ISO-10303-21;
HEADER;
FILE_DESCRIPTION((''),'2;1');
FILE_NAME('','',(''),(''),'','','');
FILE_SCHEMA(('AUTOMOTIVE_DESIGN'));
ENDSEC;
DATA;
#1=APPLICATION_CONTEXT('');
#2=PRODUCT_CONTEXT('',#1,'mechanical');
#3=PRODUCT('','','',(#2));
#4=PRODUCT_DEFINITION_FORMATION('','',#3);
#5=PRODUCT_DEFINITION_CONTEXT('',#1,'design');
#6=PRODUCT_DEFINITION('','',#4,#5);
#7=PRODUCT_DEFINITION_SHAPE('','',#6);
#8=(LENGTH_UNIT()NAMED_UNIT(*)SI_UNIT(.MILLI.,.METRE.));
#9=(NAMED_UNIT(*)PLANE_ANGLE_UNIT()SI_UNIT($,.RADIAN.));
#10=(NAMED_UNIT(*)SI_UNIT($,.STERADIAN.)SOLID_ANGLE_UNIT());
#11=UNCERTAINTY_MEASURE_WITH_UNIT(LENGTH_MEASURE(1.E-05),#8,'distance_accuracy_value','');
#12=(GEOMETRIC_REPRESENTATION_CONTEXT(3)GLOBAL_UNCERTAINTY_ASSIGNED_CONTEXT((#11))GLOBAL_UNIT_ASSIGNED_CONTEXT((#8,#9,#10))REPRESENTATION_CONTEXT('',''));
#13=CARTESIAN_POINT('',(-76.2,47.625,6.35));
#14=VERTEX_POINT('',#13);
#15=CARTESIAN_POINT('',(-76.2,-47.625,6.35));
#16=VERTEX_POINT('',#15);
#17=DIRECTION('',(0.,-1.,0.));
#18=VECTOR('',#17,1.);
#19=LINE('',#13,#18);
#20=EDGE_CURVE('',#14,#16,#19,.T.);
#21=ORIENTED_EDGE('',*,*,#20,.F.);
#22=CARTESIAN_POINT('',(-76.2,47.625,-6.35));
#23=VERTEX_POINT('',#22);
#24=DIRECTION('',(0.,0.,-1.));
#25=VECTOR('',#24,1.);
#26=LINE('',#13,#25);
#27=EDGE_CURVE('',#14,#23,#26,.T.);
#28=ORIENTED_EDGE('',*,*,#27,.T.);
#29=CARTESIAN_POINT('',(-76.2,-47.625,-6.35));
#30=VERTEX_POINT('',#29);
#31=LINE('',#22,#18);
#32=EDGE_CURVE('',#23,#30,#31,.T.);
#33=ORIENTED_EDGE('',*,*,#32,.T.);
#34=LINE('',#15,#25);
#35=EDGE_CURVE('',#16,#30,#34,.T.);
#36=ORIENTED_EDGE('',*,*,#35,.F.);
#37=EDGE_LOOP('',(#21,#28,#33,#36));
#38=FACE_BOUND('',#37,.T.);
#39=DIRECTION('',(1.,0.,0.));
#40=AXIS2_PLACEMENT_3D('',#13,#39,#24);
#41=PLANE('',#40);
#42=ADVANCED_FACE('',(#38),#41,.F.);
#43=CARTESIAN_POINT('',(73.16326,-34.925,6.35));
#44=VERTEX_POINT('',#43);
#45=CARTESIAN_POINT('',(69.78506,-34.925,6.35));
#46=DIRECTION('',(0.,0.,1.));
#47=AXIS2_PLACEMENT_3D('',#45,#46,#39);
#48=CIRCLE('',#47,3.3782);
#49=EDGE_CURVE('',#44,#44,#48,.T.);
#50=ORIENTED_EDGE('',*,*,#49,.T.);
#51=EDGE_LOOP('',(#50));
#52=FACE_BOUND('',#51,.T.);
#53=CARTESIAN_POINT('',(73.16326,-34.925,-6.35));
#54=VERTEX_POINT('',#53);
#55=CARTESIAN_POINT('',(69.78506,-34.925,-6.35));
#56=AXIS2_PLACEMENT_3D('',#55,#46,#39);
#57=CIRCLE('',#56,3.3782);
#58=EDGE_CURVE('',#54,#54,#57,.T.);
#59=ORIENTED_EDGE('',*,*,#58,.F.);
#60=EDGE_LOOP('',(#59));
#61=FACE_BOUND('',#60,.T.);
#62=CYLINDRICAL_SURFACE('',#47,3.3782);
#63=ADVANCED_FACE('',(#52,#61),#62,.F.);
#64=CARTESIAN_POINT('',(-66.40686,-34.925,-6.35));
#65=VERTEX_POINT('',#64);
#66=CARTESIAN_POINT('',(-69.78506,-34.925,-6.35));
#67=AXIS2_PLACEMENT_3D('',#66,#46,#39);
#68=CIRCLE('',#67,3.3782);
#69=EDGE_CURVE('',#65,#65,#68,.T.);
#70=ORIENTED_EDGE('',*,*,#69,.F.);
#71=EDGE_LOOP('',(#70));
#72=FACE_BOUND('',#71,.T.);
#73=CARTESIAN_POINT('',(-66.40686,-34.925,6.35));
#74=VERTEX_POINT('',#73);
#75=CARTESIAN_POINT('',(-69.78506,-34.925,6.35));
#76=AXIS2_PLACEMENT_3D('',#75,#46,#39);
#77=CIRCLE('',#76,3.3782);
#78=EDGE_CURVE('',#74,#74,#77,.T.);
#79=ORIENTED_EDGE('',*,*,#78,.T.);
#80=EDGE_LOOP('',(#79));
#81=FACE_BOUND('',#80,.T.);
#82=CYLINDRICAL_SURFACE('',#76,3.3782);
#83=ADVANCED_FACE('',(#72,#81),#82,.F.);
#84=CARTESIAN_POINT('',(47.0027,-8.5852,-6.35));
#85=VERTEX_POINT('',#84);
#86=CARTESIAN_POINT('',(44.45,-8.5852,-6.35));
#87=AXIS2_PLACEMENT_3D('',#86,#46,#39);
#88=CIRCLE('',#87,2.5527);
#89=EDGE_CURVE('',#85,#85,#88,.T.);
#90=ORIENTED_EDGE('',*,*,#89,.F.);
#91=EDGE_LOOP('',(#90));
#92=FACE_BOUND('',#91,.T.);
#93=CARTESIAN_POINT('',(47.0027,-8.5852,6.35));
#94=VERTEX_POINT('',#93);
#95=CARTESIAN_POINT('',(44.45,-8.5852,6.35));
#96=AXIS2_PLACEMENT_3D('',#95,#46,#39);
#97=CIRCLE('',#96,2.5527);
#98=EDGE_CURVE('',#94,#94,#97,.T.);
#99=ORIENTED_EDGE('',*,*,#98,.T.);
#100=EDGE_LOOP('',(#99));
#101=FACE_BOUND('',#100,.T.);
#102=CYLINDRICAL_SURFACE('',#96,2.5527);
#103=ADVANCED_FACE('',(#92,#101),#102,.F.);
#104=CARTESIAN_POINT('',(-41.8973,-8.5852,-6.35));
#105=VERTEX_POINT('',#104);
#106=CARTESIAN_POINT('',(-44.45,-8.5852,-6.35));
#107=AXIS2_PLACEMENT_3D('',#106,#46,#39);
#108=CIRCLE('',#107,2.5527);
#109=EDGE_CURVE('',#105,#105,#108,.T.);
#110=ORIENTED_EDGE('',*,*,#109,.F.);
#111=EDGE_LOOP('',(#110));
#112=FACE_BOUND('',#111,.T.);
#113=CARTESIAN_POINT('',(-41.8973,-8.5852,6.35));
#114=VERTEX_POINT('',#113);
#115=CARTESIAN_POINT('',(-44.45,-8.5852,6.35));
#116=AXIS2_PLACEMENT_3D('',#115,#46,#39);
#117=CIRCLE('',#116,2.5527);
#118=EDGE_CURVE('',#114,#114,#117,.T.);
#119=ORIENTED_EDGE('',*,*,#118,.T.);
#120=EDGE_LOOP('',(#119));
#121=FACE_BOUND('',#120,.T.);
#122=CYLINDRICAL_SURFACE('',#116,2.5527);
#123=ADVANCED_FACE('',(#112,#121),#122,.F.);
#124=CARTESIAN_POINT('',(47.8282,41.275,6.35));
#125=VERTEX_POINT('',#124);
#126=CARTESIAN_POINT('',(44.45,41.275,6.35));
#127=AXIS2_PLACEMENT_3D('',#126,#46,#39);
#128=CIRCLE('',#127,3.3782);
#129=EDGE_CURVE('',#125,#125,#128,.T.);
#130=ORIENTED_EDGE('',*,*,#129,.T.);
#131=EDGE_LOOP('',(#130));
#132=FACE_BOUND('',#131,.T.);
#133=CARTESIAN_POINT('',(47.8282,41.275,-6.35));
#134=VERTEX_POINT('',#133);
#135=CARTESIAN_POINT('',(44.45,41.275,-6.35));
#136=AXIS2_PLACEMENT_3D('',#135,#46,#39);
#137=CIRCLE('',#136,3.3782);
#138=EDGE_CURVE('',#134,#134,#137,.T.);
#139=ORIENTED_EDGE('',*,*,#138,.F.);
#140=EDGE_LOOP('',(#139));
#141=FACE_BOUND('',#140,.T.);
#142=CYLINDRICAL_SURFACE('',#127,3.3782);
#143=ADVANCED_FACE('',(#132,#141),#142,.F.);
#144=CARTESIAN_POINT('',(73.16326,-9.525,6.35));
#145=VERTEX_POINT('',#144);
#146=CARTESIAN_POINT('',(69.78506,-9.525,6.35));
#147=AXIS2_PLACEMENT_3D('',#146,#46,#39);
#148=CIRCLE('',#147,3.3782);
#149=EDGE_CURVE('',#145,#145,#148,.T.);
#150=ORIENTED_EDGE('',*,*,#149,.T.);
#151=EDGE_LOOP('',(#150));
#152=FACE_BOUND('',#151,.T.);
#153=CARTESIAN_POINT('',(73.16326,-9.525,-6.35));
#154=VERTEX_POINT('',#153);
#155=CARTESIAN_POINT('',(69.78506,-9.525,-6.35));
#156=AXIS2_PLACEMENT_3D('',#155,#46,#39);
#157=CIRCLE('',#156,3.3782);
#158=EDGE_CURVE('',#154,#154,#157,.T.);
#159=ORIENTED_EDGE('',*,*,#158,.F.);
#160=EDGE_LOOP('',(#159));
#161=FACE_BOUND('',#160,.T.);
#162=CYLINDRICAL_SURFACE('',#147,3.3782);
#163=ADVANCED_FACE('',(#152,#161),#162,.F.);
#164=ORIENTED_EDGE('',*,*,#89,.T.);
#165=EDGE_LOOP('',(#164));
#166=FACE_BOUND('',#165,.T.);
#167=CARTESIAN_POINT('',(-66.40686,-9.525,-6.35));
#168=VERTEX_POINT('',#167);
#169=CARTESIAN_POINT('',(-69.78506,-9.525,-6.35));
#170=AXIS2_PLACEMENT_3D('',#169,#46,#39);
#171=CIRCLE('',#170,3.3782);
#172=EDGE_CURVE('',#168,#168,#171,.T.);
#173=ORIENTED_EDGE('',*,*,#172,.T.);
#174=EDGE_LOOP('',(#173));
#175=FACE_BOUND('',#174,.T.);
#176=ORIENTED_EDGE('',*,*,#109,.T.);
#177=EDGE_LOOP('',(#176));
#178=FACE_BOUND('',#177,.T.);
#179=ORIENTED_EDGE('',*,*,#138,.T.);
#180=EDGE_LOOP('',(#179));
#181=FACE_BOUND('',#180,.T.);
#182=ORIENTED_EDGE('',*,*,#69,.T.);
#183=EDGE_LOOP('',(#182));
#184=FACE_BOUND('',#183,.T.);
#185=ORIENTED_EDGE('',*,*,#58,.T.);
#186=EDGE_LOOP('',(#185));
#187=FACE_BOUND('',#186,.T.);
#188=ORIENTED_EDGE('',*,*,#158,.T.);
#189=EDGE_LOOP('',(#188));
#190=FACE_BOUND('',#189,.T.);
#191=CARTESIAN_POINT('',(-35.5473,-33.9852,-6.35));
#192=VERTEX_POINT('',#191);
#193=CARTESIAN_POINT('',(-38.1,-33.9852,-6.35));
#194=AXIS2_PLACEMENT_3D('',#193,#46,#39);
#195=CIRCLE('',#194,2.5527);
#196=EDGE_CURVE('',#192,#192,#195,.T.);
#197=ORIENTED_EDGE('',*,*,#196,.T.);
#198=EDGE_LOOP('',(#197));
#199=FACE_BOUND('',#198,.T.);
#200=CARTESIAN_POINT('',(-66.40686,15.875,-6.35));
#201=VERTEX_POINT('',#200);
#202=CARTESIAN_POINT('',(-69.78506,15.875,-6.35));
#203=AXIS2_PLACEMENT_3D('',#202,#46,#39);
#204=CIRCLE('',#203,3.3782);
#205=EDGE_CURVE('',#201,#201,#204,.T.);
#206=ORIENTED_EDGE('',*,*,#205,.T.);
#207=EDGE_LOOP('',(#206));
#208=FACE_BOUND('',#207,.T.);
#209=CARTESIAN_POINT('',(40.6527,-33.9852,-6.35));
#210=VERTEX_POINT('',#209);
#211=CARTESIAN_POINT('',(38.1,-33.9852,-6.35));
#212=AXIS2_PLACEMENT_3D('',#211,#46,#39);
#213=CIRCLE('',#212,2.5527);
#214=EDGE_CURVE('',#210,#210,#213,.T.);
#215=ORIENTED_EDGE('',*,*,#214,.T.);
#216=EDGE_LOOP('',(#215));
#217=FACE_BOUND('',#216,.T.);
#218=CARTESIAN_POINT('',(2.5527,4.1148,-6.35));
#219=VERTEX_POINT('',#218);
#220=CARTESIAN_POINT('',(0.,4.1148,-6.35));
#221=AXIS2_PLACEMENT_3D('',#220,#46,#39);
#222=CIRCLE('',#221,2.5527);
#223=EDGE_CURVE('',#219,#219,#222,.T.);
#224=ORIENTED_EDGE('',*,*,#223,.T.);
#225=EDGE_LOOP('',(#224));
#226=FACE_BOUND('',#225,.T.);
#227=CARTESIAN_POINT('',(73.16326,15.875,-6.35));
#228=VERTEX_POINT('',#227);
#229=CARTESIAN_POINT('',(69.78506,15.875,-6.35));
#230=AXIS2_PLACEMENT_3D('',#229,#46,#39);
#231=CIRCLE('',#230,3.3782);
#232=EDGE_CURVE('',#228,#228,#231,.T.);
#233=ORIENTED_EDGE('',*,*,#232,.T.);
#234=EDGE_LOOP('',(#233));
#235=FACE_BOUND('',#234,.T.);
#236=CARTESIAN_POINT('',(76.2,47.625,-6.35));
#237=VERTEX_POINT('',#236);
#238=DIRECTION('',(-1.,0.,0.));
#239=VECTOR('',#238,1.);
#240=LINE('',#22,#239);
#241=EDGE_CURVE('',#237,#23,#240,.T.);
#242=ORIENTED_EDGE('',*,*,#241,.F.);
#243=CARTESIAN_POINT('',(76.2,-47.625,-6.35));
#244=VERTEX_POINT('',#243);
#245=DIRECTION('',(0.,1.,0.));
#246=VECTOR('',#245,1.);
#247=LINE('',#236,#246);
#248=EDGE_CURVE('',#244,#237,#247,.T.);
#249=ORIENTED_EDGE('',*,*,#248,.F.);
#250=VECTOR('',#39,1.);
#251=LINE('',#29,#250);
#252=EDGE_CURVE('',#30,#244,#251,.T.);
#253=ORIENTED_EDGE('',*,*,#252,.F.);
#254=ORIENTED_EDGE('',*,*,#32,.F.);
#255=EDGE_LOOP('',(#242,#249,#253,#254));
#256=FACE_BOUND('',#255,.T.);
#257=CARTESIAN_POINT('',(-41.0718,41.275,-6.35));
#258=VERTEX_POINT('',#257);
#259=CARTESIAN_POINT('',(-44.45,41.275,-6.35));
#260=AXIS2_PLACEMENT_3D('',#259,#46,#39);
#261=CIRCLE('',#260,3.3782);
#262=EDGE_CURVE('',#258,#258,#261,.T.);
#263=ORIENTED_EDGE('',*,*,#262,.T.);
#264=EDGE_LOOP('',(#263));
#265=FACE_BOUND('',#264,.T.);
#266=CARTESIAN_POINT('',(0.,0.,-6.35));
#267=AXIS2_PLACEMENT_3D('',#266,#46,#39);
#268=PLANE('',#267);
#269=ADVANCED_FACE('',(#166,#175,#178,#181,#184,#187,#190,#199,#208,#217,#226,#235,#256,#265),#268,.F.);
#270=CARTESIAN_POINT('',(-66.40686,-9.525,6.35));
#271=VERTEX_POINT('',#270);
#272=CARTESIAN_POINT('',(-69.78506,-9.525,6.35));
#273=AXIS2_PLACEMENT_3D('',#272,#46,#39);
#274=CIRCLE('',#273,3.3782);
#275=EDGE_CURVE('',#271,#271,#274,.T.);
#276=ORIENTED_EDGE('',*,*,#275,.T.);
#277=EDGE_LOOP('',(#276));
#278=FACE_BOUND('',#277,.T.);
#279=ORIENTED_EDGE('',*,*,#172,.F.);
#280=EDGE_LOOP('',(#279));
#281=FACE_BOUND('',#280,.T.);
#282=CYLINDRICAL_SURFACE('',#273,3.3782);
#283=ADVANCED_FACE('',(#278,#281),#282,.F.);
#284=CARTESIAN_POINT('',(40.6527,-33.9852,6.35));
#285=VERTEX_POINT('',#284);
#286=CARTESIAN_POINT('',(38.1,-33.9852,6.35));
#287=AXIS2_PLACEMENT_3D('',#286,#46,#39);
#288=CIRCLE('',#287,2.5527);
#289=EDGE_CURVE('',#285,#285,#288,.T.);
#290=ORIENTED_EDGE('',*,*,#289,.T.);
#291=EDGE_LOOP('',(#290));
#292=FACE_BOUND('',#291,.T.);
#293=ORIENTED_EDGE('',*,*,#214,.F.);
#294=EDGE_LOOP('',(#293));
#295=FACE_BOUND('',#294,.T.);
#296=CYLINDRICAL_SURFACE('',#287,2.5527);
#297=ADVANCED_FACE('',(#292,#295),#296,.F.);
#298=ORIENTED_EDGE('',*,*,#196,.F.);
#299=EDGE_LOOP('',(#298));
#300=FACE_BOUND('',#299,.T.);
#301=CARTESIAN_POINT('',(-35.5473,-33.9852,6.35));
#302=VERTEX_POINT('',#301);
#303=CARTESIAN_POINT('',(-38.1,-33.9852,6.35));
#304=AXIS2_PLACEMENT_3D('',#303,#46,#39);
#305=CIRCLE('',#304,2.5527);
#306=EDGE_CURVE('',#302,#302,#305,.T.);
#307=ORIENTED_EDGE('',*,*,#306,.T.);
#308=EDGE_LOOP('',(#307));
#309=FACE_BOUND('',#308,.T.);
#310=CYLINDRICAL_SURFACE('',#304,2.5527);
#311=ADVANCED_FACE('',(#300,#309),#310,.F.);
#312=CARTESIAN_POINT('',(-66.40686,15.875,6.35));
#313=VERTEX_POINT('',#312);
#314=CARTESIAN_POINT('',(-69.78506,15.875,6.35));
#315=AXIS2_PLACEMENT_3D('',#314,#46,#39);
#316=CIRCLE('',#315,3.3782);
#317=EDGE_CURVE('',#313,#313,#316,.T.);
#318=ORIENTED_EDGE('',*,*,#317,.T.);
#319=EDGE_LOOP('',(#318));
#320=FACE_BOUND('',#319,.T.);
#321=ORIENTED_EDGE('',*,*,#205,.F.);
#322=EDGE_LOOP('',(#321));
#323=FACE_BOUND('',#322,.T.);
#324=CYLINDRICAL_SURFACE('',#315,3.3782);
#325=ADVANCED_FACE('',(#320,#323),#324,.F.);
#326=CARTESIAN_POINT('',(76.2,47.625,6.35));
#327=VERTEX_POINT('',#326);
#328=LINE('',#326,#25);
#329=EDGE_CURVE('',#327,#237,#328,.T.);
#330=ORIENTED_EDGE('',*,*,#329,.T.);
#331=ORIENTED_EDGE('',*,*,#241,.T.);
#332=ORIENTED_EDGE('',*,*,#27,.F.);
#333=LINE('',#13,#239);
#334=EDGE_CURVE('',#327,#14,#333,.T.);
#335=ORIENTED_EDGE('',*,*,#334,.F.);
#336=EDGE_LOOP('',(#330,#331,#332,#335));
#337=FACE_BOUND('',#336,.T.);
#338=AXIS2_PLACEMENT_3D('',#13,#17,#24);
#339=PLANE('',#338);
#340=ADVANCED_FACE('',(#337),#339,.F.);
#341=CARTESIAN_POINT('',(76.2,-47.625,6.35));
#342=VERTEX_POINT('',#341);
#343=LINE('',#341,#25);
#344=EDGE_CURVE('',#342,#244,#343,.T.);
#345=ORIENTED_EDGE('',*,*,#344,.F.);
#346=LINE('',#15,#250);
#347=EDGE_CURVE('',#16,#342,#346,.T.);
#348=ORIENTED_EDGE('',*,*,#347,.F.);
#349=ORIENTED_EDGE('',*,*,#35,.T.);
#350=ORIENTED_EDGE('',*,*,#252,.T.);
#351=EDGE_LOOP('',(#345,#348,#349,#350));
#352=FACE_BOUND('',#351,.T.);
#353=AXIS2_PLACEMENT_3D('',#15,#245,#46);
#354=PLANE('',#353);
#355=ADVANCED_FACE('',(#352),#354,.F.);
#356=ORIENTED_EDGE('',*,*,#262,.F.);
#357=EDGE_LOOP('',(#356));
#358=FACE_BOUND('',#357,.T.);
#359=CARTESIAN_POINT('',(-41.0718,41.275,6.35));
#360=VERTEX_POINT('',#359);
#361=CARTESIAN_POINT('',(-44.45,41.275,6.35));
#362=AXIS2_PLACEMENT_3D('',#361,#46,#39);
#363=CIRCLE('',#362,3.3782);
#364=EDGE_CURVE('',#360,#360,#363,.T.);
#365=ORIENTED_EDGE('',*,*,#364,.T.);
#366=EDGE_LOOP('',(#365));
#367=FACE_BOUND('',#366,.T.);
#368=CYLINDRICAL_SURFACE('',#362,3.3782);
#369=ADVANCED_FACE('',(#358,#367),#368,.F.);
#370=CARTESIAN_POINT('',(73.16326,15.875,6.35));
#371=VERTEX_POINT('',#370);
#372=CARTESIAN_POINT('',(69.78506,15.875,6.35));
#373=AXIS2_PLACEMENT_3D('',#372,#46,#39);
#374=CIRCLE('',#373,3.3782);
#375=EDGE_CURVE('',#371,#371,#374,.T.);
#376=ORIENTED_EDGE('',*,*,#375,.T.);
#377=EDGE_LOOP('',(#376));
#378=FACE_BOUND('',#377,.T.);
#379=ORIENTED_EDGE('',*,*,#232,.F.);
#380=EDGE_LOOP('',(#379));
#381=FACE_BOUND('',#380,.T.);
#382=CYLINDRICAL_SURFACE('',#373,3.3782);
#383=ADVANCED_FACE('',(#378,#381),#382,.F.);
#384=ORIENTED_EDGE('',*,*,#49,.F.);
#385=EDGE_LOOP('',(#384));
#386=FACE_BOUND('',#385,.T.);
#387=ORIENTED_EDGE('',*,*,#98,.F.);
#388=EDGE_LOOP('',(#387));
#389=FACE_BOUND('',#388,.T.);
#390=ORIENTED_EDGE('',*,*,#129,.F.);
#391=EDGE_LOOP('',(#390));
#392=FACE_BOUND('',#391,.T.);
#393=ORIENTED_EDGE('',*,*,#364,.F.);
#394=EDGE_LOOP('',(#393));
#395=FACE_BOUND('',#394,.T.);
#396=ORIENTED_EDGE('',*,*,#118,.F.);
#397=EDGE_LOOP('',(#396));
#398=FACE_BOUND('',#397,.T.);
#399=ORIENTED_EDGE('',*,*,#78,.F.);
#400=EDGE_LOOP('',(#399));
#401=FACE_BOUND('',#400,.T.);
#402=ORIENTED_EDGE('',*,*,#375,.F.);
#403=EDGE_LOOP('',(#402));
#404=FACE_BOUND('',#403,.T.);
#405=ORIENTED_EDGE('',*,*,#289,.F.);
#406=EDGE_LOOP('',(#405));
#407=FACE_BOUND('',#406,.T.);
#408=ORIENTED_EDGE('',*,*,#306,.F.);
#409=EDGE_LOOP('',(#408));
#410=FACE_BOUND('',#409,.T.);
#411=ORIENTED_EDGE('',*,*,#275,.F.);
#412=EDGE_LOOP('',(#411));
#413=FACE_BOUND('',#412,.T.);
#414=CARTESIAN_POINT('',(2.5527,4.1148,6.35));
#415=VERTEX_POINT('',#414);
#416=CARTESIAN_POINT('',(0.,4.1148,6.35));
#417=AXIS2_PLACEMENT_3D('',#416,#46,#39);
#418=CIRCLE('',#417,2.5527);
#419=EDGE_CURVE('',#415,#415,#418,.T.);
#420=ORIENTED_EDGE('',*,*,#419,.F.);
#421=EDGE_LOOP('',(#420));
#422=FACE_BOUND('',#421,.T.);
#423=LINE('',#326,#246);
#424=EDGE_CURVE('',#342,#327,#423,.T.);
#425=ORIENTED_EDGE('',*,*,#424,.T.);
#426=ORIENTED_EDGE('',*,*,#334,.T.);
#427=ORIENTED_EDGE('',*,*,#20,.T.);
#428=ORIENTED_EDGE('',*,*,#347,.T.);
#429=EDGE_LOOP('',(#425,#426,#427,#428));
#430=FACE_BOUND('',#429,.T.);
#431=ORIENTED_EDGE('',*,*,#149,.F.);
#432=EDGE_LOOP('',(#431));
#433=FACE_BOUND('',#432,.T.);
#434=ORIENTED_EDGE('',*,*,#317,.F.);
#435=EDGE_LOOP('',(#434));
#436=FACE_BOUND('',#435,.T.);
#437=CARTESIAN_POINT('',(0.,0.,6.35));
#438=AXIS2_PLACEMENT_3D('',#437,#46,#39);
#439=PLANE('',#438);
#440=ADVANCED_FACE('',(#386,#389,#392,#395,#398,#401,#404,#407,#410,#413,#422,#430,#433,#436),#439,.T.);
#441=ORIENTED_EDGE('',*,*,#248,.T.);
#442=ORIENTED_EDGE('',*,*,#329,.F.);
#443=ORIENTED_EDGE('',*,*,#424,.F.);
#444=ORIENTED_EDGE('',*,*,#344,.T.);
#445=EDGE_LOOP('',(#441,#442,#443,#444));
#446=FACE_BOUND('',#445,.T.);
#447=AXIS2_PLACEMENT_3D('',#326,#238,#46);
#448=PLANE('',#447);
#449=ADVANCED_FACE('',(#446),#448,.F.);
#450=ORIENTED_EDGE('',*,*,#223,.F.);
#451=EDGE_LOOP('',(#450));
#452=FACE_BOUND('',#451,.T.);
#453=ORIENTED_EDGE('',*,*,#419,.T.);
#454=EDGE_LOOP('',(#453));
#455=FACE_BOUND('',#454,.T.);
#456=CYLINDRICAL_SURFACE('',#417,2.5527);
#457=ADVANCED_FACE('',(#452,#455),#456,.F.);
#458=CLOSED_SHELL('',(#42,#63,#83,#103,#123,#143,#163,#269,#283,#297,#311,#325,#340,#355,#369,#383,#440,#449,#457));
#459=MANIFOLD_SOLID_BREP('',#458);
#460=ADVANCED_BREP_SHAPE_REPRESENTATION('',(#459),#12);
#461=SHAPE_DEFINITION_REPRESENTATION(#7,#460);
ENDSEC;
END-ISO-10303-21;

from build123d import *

# Parameters (mm, degrees)
SKETCH1_W                   = 152.4
SKETCH1_H                   = 95.25
BOSS_EXTRUDE1_DEPTH         = 6.35
F_1_4_CLEARANCE_HOLE1_D     = 6.7564
TAP_DRILL_FOR_1_4_20_TAP1_D = 5.1054


with BuildPart() as part:
    # Sketch1 → Boss-Extrude1 (new, symmetric)
    with BuildSketch(Plane.XY):
        Rectangle(SKETCH1_W, SKETCH1_H)
    extrude(amount=BOSS_EXTRUDE1_DEPTH, both=True)

    # 1/4 Clearance Hole1 (through all)
    with Locations(Plane.XY.offset(6.35)):
        with Locations((-44.45, 41.275), (44.45, 41.275), (69.785060268, 15.875), (69.785060268, -9.525), (69.785060268, -34.925), (-69.785060268, 15.875), (-69.785060268, -9.525), (-69.785060268, -34.925)):
            Hole(F_1_4_CLEARANCE_HOLE1_D / 2)

    # Tap Drill for 1/4-20 Tap1 (through all)
    with Locations(Plane.XY.offset(6.35)):
        with Locations((-38.1, -33.9852), (38.1, -33.9852), (-44.45, -8.5852), (44.45, -8.5852), (0, 4.1148)):
            Hole(TAP_DRILL_FOR_1_4_20_TAP1_D / 2)


solid = part.part
